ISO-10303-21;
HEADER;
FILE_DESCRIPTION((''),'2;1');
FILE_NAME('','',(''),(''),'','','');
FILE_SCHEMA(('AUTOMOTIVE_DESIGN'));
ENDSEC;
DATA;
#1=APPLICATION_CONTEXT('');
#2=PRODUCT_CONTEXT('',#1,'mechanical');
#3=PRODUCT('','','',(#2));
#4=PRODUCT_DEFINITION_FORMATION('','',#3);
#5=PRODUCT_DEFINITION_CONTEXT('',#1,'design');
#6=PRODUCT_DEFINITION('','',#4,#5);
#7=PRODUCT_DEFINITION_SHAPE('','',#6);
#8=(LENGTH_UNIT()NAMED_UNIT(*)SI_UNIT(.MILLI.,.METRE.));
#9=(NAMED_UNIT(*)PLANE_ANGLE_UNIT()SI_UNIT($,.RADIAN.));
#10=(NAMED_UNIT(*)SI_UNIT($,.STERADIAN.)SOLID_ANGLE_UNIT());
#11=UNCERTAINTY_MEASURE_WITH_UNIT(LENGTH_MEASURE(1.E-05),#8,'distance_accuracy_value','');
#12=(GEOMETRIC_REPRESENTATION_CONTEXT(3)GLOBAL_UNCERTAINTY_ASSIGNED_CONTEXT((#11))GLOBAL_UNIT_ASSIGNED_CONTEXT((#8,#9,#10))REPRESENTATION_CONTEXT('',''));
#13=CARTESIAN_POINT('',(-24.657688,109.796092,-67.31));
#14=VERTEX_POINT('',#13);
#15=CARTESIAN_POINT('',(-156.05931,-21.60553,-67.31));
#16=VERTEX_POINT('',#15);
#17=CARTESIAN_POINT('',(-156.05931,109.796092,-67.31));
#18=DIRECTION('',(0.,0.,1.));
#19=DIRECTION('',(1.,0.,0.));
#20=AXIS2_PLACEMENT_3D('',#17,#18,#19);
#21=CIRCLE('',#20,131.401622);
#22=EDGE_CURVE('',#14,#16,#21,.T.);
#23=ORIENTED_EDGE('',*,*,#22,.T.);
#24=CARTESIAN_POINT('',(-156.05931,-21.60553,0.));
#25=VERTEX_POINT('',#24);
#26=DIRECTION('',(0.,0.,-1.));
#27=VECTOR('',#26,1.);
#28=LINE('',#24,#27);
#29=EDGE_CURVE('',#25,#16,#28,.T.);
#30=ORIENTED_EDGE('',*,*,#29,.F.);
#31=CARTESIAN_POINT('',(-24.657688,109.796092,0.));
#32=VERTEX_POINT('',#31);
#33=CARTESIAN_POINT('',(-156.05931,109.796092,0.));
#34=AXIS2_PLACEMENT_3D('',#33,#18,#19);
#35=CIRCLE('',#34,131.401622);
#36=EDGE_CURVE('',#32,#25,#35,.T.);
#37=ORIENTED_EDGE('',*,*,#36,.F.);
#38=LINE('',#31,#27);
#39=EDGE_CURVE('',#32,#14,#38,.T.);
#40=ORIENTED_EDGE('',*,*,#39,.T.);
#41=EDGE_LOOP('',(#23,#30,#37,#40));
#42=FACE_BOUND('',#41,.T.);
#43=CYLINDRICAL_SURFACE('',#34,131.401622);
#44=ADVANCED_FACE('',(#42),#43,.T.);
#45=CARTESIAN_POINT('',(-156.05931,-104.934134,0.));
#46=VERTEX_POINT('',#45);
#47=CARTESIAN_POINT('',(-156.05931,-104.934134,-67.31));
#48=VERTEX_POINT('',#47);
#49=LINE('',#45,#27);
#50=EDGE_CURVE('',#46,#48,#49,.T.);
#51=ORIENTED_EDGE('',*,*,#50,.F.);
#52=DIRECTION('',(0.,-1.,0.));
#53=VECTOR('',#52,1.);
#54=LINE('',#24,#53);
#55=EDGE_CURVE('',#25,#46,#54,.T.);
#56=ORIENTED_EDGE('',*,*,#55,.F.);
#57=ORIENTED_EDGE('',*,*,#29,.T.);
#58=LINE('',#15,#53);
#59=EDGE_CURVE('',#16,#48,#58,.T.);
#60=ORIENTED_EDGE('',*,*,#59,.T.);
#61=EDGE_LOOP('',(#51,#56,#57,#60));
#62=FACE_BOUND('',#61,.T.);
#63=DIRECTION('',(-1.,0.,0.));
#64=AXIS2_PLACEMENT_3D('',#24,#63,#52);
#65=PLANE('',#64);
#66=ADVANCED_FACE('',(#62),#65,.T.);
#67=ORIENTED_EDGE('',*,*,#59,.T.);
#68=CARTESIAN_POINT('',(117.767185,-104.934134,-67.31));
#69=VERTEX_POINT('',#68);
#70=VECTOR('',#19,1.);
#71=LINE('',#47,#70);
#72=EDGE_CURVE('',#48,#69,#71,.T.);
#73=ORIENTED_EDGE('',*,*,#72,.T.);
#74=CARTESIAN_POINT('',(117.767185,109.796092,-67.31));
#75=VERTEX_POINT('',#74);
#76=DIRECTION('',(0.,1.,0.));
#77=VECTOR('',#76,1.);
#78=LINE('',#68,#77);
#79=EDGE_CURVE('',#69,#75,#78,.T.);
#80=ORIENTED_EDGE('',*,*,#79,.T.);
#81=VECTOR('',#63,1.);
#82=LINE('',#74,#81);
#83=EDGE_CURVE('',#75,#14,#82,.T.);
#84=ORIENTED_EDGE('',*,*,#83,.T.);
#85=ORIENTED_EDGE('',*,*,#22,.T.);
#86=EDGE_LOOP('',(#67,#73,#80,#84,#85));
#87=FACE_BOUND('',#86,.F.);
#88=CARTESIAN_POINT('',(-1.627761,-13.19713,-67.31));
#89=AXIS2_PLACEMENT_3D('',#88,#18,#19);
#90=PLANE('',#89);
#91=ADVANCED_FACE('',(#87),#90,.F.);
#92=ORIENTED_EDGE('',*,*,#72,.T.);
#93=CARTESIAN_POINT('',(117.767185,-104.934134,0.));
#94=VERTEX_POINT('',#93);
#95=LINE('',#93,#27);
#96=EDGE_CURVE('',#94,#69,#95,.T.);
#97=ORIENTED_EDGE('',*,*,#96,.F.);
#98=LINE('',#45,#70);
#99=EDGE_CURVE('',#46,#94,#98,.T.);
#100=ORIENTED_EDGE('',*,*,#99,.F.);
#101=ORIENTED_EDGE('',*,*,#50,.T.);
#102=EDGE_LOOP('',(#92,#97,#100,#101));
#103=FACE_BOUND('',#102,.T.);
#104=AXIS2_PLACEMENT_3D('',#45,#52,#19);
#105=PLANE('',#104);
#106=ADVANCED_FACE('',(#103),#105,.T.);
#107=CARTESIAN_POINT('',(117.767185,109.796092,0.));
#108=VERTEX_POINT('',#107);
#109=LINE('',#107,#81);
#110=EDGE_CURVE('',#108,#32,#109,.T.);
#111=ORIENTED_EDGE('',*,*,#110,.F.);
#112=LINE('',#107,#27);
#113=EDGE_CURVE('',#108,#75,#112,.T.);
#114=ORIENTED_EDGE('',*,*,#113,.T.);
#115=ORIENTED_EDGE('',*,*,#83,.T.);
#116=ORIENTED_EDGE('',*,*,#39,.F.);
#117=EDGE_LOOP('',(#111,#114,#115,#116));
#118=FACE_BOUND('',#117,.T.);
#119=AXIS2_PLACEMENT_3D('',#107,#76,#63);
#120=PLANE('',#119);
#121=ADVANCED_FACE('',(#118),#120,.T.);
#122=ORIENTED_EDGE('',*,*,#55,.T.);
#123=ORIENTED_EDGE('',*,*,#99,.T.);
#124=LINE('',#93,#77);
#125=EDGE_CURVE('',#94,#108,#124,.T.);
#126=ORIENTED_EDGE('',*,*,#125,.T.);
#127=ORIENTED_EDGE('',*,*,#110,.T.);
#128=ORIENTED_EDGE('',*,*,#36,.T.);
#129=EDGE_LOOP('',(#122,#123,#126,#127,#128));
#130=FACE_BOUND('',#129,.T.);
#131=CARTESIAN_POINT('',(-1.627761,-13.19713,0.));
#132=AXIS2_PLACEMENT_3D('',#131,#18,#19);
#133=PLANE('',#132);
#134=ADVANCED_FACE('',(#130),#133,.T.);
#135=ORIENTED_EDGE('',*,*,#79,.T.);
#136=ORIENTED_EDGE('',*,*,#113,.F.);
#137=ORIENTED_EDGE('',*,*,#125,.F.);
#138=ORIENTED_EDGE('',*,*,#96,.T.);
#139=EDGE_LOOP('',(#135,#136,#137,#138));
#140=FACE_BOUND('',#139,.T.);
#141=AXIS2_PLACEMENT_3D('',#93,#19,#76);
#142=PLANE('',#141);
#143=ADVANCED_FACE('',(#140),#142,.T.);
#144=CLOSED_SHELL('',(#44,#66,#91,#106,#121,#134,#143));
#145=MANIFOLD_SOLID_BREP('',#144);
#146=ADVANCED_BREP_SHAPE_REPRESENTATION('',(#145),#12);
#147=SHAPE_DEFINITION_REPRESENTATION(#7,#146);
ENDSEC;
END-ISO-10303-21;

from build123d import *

# Parameters (mm, degrees)
F1_DEPTH = 67.31


with BuildPart() as f1:
    # F0 (on Top) → F1 (new body)
    with BuildSketch(Plane.XY):
        with BuildLine():
            Line((-156.0593098402, -104.9341335893), (117.7671849728, -104.9341335893))
            Line((117.7671849728, -104.9341335893), (117.7671849728, 109.7960919142))
            Line((117.7671849728, 109.7960919142), (-24.6576875478, 109.7960919142))
            ThreePointArc((-24.6576875478, 109.7960919142), (-63.1443316583, 16.8811137323), (-156.0593098402, -21.6055303782))
            Line((-156.0593098402, -21.6055303782), (-156.0593098402, -104.9341335893))
        make_face()
        with BuildLine():
            ThreePointArc((-24.6576875478, 109.7960919142), (-248.9742880221, 202.7110700961), (-156.0593098402, -21.6055303782))
            Line((-156.0593098402, -21.6055303782), (-156.0593098402, 109.7960919142))
            Line((-156.0593098402, 109.7960919142), (-24.6576875478, 109.7960919142))
        make_face()
        with BuildLine():
            Line((-156.0593098402, 109.7960919142), (-156.0593098402, -21.6055303782))
            ThreePointArc((-156.0593098402, -21.6055303782), (-63.1443316583, 16.8811137323), (-24.6576875478, 109.7960919142))
            Line((-24.6576875478, 109.7960919142), (-156.0593098402, 109.7960919142))
        make_face()
    extrude(amount=-F1_DEPTH)


solid = f1.part
